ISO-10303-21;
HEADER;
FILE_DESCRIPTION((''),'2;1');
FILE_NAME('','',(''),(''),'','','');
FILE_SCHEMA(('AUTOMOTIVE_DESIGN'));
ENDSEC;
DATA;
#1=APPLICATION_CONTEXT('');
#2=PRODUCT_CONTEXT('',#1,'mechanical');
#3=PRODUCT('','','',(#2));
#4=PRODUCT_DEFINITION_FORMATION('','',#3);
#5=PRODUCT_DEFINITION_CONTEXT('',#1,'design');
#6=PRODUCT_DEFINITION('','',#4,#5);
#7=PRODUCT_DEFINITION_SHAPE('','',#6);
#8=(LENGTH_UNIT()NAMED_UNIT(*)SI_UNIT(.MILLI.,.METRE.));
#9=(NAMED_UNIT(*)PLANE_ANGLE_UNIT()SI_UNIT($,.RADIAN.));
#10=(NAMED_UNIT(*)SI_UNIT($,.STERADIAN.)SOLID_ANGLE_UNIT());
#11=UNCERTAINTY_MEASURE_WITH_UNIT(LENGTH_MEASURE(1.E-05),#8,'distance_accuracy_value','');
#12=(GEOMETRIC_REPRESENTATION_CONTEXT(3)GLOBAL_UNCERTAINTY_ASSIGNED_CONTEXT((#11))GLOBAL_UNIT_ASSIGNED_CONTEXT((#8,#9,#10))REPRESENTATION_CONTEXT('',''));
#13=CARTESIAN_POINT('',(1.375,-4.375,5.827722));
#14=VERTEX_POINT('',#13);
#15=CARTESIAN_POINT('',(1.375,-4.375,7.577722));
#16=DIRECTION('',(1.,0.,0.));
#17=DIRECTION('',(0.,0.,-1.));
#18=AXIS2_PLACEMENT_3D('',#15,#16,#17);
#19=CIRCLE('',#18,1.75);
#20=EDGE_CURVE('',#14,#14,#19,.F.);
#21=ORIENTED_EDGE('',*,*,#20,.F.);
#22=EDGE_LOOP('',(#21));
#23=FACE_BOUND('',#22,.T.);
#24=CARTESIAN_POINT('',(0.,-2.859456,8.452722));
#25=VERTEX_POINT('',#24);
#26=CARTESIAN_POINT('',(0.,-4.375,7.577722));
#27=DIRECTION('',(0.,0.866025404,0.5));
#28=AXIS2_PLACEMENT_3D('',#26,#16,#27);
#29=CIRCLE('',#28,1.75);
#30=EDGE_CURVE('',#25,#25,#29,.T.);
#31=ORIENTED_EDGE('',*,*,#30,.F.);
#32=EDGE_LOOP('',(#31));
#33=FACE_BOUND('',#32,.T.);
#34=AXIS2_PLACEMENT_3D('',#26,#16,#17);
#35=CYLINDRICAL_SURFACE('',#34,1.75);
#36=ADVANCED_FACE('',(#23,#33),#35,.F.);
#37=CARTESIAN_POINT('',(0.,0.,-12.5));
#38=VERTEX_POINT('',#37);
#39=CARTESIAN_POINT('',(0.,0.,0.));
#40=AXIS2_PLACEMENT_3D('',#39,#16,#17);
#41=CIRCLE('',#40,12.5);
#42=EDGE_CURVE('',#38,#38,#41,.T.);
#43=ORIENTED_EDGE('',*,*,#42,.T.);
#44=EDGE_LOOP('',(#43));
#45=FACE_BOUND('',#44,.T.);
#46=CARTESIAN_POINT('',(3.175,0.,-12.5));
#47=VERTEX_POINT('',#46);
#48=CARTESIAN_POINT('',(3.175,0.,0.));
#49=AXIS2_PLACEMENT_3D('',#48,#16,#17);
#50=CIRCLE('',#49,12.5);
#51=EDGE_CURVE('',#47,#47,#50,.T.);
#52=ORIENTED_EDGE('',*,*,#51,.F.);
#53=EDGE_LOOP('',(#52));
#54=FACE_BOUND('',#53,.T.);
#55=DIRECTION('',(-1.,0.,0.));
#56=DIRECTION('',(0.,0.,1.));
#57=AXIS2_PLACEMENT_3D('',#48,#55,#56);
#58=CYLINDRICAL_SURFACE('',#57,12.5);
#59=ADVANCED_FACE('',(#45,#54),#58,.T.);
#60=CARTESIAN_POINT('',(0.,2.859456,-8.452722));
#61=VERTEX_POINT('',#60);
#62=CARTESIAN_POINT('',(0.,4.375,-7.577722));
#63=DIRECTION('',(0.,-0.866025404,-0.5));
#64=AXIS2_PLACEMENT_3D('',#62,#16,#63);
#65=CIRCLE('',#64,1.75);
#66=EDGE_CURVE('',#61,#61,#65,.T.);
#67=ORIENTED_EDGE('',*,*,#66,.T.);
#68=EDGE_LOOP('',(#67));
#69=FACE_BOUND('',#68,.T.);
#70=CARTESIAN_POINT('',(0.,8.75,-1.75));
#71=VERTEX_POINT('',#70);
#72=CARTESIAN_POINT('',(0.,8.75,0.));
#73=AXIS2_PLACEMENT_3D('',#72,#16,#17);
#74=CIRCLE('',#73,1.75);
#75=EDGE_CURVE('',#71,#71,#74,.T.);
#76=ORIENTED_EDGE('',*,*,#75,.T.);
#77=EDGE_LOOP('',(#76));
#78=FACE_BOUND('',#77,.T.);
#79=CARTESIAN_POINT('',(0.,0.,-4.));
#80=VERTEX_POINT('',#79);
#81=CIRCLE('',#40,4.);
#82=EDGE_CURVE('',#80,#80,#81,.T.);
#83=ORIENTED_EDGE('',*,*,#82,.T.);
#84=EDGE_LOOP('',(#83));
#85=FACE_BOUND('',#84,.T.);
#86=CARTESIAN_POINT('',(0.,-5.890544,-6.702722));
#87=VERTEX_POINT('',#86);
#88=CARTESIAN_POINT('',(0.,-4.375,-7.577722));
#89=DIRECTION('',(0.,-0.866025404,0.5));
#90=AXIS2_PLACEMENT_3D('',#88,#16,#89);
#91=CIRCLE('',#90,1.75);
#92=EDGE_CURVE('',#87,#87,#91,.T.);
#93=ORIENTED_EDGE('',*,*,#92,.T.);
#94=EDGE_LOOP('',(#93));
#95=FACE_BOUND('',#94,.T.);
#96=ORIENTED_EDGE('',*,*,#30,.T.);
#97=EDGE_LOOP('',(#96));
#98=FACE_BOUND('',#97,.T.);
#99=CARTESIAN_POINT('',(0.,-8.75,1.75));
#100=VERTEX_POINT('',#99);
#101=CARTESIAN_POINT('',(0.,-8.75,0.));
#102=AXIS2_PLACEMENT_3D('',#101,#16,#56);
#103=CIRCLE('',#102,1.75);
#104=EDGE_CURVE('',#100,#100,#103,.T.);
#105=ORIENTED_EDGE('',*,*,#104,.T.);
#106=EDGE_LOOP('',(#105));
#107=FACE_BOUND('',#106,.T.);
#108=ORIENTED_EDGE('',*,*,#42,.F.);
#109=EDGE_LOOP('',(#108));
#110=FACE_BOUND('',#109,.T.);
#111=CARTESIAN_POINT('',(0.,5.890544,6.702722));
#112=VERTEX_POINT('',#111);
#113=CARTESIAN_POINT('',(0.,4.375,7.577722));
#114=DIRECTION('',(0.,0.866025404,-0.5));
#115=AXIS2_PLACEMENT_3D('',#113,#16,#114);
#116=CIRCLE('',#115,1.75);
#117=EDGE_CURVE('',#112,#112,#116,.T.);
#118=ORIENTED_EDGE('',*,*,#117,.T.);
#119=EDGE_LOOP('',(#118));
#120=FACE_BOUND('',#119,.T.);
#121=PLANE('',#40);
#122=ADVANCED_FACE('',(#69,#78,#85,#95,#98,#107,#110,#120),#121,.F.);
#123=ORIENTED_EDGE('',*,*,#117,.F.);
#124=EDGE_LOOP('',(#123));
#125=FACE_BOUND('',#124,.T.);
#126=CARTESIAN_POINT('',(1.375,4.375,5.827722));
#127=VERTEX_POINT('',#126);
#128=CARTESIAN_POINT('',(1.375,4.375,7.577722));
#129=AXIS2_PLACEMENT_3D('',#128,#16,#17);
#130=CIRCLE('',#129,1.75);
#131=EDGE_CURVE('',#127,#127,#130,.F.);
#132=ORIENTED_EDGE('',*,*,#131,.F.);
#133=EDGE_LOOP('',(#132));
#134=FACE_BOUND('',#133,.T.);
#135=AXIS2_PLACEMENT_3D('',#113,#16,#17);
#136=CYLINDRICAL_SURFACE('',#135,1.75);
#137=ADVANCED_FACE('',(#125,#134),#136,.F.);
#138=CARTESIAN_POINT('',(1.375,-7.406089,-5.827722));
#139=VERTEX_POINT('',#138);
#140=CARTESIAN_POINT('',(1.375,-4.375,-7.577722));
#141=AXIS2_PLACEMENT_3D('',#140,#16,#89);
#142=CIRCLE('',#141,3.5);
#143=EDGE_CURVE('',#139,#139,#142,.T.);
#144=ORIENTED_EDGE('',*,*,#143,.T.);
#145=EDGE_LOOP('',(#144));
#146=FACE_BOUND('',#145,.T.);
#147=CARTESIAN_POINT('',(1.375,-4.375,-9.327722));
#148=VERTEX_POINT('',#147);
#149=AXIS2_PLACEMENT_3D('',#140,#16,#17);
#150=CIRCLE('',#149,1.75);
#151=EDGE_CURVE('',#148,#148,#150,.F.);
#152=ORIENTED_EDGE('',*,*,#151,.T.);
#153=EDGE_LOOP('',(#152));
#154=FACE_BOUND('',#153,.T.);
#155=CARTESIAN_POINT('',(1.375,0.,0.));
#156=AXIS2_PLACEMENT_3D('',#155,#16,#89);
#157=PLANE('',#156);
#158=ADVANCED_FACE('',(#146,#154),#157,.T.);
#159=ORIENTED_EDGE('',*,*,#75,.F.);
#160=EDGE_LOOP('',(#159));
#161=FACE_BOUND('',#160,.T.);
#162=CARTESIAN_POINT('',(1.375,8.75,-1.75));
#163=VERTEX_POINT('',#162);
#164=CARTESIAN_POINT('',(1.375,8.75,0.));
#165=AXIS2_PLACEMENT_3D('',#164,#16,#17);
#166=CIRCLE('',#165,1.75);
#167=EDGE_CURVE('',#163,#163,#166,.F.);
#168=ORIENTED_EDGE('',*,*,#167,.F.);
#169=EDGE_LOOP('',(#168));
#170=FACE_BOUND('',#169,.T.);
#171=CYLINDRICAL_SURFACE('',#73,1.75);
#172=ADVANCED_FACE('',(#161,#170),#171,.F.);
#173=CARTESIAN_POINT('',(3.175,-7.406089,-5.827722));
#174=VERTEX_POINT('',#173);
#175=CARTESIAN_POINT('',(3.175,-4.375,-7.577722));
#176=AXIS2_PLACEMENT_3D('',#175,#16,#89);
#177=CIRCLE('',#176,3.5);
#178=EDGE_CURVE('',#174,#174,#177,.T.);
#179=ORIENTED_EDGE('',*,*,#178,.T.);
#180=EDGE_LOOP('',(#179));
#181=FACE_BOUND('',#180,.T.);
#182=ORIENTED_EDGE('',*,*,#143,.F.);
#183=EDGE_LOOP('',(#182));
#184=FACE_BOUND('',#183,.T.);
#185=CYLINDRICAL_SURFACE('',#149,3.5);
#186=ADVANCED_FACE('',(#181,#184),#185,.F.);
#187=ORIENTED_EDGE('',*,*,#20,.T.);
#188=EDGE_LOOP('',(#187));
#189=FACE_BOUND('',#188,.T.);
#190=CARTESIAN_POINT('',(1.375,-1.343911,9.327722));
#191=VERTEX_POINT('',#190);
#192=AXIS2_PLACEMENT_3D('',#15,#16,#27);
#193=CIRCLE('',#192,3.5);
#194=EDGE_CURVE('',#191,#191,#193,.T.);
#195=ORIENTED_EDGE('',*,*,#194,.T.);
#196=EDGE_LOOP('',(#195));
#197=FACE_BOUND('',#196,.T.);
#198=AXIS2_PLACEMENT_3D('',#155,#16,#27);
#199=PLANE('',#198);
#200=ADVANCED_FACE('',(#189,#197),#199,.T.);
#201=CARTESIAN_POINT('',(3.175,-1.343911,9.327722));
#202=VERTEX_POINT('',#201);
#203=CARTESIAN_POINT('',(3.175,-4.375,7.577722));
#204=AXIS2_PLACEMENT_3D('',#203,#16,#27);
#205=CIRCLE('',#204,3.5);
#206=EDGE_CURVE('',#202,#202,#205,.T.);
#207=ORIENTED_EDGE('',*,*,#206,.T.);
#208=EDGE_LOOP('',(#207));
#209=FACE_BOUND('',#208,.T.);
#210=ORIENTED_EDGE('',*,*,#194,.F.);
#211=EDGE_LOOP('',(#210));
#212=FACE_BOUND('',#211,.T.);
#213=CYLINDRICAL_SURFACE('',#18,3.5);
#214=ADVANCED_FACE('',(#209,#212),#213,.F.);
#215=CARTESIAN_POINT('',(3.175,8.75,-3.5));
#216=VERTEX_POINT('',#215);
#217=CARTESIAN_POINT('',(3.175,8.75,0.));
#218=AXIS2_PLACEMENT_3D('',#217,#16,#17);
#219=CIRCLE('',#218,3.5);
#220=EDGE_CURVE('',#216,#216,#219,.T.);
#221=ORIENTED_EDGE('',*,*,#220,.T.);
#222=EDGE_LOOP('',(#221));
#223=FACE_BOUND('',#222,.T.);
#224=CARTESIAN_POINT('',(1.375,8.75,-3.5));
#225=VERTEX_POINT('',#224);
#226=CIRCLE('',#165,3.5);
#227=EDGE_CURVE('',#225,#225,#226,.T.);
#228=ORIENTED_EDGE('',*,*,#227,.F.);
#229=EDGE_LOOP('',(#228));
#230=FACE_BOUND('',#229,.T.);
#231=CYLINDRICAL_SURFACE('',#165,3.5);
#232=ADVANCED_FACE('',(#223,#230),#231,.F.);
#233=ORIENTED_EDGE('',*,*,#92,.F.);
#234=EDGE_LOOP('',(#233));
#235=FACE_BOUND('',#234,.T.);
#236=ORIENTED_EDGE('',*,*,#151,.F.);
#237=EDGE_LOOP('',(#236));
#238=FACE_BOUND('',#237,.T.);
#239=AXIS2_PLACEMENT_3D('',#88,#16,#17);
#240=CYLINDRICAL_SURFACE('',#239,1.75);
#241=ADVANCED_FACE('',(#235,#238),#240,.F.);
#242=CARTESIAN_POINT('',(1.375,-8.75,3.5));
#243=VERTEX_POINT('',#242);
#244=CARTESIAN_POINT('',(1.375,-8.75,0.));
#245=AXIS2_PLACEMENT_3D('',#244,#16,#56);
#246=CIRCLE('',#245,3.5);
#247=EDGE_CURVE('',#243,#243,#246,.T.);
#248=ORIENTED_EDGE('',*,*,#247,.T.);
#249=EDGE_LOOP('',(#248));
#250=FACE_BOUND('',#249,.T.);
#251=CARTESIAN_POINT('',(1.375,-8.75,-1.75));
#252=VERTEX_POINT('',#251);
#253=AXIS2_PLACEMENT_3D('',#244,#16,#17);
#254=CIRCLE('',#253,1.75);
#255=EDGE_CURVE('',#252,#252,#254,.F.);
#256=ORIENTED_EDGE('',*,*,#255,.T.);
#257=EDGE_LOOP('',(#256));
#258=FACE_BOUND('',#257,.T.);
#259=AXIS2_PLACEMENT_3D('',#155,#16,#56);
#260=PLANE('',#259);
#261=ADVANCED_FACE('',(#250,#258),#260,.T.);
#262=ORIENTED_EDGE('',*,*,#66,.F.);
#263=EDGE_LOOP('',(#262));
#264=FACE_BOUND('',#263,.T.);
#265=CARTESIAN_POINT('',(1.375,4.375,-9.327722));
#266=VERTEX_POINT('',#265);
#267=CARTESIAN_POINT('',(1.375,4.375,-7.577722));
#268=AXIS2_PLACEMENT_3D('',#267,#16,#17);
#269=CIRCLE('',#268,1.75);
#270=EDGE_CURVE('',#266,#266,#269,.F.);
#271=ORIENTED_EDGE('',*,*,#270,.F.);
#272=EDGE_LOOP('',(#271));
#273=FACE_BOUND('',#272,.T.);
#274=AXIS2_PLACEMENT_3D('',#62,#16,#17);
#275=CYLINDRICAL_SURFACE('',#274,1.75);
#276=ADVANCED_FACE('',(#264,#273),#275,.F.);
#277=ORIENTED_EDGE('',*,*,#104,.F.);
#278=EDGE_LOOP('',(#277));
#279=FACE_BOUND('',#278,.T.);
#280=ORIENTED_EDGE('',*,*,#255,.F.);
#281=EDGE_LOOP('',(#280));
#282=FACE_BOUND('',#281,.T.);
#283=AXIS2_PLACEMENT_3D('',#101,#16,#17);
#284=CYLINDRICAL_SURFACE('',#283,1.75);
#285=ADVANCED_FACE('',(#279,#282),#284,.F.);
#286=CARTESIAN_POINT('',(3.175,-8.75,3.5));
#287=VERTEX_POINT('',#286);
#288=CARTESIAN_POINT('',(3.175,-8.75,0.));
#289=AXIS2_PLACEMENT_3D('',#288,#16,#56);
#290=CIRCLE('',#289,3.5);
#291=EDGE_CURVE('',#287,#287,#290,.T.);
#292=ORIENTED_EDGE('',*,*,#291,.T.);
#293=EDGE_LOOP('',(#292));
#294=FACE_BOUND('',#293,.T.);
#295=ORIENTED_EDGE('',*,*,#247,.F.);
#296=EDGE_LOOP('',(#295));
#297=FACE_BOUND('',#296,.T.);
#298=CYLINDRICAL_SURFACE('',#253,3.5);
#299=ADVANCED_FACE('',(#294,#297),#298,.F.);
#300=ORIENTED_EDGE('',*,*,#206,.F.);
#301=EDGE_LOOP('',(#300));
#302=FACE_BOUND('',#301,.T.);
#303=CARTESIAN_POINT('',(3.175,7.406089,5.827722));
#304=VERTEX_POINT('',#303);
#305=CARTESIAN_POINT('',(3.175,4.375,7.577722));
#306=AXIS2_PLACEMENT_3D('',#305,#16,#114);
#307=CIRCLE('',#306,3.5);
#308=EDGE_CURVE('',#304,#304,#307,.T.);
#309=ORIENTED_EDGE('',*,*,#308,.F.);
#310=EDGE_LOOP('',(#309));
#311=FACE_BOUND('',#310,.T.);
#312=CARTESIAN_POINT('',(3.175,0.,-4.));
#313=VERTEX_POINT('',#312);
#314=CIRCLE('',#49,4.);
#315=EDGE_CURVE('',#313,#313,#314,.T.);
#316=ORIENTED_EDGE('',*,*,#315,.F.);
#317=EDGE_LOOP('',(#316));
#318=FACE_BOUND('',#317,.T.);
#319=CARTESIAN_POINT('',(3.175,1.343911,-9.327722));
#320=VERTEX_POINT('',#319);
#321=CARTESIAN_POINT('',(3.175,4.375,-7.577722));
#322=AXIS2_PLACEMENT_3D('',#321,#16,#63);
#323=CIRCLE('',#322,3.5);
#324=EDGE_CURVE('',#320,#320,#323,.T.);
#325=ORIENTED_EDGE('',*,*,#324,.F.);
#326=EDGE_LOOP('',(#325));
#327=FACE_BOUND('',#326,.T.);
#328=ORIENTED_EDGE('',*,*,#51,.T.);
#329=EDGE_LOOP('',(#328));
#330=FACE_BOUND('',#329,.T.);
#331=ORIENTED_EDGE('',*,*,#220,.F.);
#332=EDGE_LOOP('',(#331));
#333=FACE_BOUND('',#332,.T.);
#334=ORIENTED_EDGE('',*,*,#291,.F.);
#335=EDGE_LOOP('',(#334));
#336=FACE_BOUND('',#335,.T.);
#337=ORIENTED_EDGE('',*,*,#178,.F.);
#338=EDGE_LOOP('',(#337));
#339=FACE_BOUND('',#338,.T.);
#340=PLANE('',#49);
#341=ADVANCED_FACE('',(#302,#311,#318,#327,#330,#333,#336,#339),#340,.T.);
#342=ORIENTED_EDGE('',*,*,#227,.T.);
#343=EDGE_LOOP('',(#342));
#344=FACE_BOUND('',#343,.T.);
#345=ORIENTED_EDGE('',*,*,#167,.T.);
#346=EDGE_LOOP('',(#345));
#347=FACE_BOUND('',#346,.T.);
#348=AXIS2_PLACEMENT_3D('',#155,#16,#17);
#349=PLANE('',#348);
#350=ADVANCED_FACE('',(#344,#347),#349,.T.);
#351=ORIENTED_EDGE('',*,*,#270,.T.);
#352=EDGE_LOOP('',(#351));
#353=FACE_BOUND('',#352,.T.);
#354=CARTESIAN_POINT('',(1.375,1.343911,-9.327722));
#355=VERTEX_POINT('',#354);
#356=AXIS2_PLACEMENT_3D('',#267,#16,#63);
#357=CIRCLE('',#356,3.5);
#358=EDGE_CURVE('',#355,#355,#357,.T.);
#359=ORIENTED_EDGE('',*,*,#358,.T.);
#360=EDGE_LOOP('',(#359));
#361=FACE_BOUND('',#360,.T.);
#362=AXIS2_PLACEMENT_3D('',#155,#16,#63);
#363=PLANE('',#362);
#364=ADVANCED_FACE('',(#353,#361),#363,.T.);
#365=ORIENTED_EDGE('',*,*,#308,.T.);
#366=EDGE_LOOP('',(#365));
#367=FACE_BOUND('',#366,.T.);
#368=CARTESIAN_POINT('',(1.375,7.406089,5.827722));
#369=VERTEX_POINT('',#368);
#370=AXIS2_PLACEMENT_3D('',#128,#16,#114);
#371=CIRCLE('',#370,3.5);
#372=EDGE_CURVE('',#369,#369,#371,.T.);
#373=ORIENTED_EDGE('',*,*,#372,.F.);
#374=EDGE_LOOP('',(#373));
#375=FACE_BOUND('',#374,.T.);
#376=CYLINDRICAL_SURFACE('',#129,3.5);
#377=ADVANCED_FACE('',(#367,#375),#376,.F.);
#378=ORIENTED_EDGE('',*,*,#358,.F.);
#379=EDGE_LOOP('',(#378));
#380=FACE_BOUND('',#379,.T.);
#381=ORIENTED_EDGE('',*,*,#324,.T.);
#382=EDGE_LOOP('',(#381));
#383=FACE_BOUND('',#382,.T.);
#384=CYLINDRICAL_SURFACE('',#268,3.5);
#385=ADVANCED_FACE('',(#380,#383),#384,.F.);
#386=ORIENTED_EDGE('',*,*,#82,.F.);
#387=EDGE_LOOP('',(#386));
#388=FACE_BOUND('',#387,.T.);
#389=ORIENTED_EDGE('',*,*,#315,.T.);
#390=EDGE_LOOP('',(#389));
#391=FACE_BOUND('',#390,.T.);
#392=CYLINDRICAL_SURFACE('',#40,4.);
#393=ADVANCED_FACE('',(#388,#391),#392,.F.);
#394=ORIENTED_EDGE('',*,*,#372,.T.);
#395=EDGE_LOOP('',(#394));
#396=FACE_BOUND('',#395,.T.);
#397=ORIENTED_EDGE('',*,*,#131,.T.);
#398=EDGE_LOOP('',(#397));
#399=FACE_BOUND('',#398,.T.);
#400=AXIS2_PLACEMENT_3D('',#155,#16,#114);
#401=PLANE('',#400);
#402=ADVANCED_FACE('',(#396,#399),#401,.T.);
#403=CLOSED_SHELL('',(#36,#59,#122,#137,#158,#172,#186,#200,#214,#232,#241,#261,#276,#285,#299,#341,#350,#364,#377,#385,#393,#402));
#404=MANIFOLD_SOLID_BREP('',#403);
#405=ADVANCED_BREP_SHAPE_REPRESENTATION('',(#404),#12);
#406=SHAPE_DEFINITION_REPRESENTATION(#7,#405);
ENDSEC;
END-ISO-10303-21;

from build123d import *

# Parameters (mm, degrees)
SKETCH1_R           = 12.5
BOSS_EXTRUDE1_DEPTH = 3.175
SKETCH3_R           = 4
CUT_EXTRUDE1_DEPTH  = 18.960529641
SKETCH2_R           = 1.75
CUT_EXTRUDE2_DEPTH  = 18.960529641
SKETCH4_R           = 3.5
SKETCH4_R_2         = 1.75
CUT_EXTRUDE3_DEPTH  = 1.8
CIRPATTERN1_COUNT   = 6


with BuildPart() as part:
    # Sketch1 → Boss-Extrude1 (new body)
    with BuildSketch(Plane(origin=(0, 0, 0), x_dir=(0, 0, -1), z_dir=(1, 0, 0))):
        Circle(SKETCH1_R)
    extrude(amount=BOSS_EXTRUDE1_DEPTH)

    # Sketch3 → Cut-Extrude1 (cut, through all)
    with BuildSketch(Plane(origin=(3.175, 0, 0), x_dir=(0, 0, -1), z_dir=(1, 0, 0))):
        Circle(SKETCH3_R)
    extrude(amount=-CUT_EXTRUDE1_DEPTH, mode=Mode.SUBTRACT)

    # Sketch2 → Cut-Extrude2 (cut, through all)
    with BuildSketch(Plane(origin=(3.175, 0, 0), x_dir=(0, 0, -1), z_dir=(1, 0, 0))):
        with Locations((0, 8.75)):
            Circle(SKETCH2_R)
    cut_extrude2 = extrude(amount=-CUT_EXTRUDE2_DEPTH, mode=Mode.SUBTRACT)

    # Sketch4 → Cut-Extrude3 (cut)
    # profile 1 of 3: a face of its own
    with BuildSketch(Plane(origin=(3.175, 0, 0), x_dir=(0, 0, -1), z_dir=(1, 0, 0))):
        with Locations((0, 8.75)):
            Circle(SKETCH4_R)
        Polygon((3.175426481, 8.75), (1.58771324, 11.5), (-1.58771324, 11.5), (-3.175426481, 8.75), (-1.58771324, 6), (1.58771324, 6), align=None, mode=Mode.SUBTRACT)
    # profile 2 of 3: a face of its own
    with BuildSketch(Plane(origin=(3.175, 0, 0), x_dir=(0, 0, -1), z_dir=(1, 0, 0))):
        Polygon((1.58771324, 6), (3.175426481, 8.75), (1.58771324, 11.5), (-1.58771324, 11.5), (-3.175426481, 8.75), (-1.58771324, 6), align=None)
        with Locations((0, 8.75)):
            Circle(SKETCH4_R_2, mode=Mode.SUBTRACT)
    # profile 3 of 3: a face of its own
    with BuildSketch(Plane(origin=(3.175, 0, 0), x_dir=(0, 0, -1), z_dir=(1, 0, 0))):
        with Locations((0, 8.75)):
            Circle(SKETCH4_R_2)
    cut_extrude3 = extrude(amount=-CUT_EXTRUDE3_DEPTH, mode=Mode.SUBTRACT)

    # CirPattern1: Cut-Extrude2, Cut-Extrude3 ×6 about axis
    cirpattern1_axis = Axis((0, 0, 0), (1, 0, 0))
    add([cut_extrude2.rotate(cirpattern1_axis, i * 360 / CIRPATTERN1_COUNT) for i in range(1, CIRPATTERN1_COUNT)], mode=Mode.SUBTRACT)
    add([cut_extrude3.rotate(cirpattern1_axis, i * 360 / CIRPATTERN1_COUNT) for i in range(1, CIRPATTERN1_COUNT)], mode=Mode.SUBTRACT)


solid = part.part
